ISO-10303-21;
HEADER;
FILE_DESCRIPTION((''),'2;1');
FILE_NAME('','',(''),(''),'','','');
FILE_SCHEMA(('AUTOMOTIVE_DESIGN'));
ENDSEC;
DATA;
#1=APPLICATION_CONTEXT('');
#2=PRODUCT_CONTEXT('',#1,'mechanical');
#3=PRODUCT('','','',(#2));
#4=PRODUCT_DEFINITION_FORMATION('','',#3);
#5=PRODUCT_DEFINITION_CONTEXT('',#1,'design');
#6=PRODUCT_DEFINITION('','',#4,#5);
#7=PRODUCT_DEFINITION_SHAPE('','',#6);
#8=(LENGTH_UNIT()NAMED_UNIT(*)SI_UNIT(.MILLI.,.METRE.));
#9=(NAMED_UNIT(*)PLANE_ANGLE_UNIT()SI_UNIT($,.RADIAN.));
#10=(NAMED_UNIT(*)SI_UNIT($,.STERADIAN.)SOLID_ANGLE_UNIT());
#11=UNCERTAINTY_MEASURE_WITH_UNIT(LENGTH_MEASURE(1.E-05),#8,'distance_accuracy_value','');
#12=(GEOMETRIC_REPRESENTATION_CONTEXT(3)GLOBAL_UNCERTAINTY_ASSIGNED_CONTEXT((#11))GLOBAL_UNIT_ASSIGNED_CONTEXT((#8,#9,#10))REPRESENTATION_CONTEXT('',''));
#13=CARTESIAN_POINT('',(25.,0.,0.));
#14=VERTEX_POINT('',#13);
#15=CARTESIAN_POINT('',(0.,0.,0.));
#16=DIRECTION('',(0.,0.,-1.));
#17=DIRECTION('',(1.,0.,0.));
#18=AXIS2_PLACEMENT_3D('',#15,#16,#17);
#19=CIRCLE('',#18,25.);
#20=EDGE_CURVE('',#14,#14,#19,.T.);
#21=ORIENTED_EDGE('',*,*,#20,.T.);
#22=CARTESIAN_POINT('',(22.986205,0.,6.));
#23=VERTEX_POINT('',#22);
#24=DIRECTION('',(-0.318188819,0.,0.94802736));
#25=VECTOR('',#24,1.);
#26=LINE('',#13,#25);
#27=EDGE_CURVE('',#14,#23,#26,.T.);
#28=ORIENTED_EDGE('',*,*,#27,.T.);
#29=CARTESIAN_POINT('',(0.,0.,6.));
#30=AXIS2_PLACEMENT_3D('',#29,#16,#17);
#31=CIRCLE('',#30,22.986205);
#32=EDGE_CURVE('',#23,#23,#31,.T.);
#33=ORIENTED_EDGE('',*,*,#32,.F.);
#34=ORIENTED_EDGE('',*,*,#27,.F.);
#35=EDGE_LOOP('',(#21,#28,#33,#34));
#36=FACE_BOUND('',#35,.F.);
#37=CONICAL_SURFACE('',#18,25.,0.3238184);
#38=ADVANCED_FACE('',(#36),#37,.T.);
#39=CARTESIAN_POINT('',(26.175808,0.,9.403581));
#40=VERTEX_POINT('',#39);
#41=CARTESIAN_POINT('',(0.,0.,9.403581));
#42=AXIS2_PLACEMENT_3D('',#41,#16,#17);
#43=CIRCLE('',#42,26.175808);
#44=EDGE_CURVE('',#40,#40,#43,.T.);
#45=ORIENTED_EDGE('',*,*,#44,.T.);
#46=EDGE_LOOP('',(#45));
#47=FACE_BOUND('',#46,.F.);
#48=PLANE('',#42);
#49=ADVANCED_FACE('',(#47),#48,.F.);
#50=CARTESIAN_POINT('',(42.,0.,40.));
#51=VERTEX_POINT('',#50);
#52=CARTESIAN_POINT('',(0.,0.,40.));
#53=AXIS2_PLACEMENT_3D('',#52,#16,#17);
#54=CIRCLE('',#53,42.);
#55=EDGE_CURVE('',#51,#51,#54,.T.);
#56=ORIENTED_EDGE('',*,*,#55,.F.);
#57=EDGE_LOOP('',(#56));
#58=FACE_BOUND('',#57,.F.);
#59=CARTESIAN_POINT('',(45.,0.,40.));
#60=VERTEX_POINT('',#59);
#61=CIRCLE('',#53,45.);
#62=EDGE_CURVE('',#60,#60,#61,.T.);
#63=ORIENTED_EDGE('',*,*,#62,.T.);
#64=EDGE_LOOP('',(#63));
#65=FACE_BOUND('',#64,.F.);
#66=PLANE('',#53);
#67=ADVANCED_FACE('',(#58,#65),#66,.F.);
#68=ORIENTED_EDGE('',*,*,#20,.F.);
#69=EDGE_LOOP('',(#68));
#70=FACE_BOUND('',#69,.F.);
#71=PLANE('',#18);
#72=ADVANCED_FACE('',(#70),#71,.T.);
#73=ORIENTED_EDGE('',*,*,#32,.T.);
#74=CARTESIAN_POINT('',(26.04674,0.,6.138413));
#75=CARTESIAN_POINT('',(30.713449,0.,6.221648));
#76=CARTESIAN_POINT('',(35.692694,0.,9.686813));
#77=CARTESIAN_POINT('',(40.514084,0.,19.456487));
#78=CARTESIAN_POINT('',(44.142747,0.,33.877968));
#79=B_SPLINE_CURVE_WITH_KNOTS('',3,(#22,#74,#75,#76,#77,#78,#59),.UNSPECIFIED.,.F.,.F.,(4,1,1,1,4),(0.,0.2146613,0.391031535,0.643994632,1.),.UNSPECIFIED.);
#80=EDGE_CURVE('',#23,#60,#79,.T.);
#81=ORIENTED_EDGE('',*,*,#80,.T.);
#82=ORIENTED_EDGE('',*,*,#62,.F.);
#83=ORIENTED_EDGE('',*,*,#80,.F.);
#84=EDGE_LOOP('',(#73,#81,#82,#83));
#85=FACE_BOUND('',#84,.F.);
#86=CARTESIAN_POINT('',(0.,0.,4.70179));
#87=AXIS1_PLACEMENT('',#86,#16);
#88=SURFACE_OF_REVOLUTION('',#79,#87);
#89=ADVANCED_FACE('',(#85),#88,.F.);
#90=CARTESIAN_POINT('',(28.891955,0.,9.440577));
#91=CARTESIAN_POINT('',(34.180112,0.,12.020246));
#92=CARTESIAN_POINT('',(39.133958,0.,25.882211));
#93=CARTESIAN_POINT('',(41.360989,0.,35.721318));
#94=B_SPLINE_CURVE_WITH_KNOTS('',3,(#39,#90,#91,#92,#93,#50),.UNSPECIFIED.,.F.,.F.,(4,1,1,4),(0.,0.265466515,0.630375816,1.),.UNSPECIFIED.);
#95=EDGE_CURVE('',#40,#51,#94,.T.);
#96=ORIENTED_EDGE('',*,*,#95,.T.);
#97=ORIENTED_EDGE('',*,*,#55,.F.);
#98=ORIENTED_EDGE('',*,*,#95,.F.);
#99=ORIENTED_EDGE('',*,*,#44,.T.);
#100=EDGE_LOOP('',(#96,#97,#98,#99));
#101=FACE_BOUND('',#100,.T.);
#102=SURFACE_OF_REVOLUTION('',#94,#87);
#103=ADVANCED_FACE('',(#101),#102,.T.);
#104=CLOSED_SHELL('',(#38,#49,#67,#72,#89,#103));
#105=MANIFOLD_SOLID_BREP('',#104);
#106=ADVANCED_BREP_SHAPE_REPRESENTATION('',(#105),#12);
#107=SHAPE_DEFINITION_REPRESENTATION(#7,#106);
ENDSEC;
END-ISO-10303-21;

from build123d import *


with BuildPart() as f1:
    # F0 (on Front) → F1 (revolve)
    with BuildSketch(Plane.XZ):
        with BuildLine():
            Line((0, 9.4035807997), (0, 0))
            Line((0, 0), (25, 0))
            Line((25, 0), (22.9862048363, 6))
            add(Edge.make_bspline(
                [(22.9862048363, 6), (26.0467404955, 6.1384126679), (30.7134488631, 6.2216484476), (35.6926938084, 9.6868127761), (40.5140835832, 19.4564865132), (44.1427465173, 33.8779676218), (45, 40)],
                knots=[0, 0, 0, 0, 0.2146613002, 0.391031535, 0.6439946325, 1, 1, 1, 1], degree=3))
            Line((45, 40), (42, 40))
            add(Edge.make_bspline(
                [(26.1758081615, 9.4035807997), (28.8919549881, 9.4405767751), (34.1801118313, 12.0202456706), (39.1339583106, 25.8822108575), (41.3609894204, 35.7213179844), (42, 40)],
                knots=[0, 0, 0, 0, 0.2654665152, 0.6303758162, 1, 1, 1, 1], degree=3))
            Line((26.1758081615, 9.4035807997), (0, 9.4035807997))
        make_face()
    revolve(axis=Axis((0, 0, 4.7017903998), (0, 0, -1)))


solid = f1.part
